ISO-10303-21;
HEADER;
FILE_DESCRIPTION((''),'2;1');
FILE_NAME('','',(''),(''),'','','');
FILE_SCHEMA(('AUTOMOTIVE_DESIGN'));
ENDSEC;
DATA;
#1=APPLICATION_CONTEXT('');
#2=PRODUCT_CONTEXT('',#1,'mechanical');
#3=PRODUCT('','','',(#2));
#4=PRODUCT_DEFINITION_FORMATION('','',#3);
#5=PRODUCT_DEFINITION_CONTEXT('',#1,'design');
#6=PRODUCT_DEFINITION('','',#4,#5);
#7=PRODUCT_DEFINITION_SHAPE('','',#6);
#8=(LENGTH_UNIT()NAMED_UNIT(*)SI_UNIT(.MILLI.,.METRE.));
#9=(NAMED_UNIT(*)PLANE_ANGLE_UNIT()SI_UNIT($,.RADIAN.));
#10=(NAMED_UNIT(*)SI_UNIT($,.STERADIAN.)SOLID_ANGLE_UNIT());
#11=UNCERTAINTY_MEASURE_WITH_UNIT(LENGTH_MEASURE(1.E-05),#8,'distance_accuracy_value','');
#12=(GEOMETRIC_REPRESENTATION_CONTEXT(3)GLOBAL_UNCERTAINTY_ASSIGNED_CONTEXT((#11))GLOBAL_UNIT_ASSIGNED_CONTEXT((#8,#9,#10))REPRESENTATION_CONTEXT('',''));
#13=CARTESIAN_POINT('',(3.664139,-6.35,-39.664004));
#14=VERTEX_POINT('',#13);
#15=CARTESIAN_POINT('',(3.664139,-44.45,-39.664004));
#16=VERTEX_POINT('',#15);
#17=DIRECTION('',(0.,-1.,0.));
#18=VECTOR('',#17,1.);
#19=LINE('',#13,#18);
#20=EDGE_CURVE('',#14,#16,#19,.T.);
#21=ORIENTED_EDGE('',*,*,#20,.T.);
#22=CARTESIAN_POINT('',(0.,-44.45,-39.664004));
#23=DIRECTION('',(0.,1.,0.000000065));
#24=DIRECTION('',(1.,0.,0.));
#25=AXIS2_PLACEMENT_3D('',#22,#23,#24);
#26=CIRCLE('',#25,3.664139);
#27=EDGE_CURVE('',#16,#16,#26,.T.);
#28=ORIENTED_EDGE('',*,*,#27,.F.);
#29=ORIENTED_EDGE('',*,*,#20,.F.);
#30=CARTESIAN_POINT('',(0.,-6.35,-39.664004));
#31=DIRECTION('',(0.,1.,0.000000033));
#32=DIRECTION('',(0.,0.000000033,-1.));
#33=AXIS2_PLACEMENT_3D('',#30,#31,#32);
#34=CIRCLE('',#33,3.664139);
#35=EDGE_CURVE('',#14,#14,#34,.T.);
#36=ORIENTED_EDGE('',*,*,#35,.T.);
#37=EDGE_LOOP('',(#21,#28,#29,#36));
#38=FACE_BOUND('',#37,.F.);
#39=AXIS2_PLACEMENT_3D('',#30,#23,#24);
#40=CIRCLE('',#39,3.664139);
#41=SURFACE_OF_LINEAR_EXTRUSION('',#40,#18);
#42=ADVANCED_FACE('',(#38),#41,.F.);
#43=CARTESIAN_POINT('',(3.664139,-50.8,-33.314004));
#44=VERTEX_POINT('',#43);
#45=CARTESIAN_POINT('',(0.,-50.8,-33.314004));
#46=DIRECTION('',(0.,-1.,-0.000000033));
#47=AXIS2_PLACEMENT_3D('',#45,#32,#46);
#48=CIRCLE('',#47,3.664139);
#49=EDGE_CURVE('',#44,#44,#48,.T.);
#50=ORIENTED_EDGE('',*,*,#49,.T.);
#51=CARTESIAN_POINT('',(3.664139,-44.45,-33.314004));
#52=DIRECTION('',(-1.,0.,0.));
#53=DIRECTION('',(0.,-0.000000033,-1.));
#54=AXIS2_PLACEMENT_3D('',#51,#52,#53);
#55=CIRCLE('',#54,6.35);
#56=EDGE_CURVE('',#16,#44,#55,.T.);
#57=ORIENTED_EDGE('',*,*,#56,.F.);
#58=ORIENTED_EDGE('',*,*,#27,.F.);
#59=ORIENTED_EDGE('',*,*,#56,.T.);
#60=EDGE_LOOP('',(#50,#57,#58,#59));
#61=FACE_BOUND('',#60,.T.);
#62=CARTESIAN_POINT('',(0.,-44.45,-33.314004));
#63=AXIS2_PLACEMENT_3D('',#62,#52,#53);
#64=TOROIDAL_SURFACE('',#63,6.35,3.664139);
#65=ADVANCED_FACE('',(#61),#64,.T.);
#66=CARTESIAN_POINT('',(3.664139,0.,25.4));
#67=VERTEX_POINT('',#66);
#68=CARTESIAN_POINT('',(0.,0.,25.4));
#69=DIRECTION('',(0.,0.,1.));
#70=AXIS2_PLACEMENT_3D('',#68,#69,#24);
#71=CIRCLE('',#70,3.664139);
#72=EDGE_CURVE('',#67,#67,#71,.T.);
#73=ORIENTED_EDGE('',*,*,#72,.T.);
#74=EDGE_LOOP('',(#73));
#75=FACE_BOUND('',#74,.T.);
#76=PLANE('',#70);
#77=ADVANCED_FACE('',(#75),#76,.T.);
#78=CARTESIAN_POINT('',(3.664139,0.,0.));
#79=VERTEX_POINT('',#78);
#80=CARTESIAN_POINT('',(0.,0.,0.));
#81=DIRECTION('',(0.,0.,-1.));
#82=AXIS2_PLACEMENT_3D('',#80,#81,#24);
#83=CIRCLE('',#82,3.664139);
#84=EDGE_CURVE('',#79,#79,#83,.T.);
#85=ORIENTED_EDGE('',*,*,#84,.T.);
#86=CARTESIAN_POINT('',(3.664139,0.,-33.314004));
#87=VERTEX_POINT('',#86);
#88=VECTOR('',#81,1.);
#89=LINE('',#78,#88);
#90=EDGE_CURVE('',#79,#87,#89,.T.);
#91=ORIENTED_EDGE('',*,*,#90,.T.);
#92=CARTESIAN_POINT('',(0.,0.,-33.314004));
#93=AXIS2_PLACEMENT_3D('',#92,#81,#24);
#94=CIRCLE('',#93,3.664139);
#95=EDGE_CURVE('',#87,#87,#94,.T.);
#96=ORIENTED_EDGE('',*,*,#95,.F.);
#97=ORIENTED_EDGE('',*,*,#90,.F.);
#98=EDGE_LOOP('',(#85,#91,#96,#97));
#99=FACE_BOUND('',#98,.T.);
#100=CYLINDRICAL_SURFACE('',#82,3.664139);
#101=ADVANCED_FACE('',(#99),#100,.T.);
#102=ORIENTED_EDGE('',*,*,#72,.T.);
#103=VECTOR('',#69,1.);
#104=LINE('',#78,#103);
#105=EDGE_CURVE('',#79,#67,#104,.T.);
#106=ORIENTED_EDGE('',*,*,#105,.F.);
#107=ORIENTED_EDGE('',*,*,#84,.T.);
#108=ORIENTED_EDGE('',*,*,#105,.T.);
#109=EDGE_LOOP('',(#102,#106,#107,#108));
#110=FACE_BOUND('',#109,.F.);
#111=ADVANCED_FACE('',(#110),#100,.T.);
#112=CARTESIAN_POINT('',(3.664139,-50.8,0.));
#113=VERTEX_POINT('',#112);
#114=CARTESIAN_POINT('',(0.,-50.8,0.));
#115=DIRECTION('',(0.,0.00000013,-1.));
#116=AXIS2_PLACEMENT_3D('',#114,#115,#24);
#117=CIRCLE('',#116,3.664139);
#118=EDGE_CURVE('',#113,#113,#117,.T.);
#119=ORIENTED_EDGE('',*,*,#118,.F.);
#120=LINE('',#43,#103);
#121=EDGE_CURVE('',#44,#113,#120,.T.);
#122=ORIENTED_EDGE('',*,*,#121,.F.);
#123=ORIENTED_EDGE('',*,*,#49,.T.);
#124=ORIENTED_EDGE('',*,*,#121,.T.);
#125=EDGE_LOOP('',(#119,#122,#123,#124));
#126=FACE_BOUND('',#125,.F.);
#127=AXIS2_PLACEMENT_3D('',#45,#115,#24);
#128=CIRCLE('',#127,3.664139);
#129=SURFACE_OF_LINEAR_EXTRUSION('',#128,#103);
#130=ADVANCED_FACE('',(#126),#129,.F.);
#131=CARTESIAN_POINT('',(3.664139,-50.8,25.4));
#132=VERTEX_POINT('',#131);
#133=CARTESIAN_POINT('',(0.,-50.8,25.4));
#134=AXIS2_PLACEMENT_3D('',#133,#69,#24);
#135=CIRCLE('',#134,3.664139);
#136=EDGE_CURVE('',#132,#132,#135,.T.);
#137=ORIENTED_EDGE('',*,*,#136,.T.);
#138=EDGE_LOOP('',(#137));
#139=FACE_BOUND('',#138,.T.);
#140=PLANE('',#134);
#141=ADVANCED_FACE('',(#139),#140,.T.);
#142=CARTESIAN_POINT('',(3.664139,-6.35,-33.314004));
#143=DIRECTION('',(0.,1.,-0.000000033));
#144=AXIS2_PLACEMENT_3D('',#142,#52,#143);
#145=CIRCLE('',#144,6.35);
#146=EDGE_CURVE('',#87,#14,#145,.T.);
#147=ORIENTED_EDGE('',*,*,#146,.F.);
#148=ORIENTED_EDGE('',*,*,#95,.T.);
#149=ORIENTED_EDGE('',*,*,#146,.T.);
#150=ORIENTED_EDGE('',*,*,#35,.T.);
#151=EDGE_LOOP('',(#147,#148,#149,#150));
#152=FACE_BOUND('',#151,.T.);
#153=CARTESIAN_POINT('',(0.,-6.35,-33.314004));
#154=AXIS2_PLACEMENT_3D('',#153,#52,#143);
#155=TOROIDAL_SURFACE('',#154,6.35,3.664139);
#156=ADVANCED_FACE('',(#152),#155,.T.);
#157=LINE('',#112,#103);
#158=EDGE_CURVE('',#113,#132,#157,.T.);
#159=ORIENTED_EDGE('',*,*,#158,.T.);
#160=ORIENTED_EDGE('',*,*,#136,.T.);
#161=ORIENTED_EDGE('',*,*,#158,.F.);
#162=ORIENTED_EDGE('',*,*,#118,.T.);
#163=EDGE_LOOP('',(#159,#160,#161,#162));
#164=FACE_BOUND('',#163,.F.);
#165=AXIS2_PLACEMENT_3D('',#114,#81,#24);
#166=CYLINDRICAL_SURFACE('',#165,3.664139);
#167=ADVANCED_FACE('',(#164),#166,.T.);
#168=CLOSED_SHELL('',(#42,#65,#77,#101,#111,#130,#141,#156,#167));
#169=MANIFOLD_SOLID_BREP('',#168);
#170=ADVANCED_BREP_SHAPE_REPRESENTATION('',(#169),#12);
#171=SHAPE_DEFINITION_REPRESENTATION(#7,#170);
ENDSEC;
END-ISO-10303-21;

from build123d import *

# Parameters (mm, degrees)
F1_R       = 3.664139
F2_FACE_R  = 3.664139
F2_FACE1_R = 3.664139
F3_DEPTH   = 25.4


with BuildPart() as f2:
    # F2: sweep along a path in F0
    with BuildLine(Plane.YZ) as f2_path:
        Line((0, 0), (0, -33.314004))
        ThreePointArc((0, -33.314004), (-1.859872, -37.804132), (-6.35, -39.664004))
        Line((-6.35, -39.664004), (-44.45, -39.664004))
        ThreePointArc((-44.45, -39.664004), (-48.940128, -37.804132), (-50.8, -33.314004))
        Line((-50.8, -33.314004), (-50.8, 0))
    # F1 (on Top) → F2 (sweep)
    with BuildSketch(Plane.XY):
        Circle(F1_R)
    sweep(path=f2_path.line)

    # F2_face (on face) + F2_face1 (on face) → F3 (join)
    with BuildSketch(Plane.XY):
        Circle(F2_FACE_R)
    with BuildSketch(Plane(origin=(0, -50.8, 0), x_dir=(1, 0, 0), z_dir=(0, 0, 1))):
        Circle(F2_FACE1_R)
    extrude(amount=F3_DEPTH)


solid = f2.part
